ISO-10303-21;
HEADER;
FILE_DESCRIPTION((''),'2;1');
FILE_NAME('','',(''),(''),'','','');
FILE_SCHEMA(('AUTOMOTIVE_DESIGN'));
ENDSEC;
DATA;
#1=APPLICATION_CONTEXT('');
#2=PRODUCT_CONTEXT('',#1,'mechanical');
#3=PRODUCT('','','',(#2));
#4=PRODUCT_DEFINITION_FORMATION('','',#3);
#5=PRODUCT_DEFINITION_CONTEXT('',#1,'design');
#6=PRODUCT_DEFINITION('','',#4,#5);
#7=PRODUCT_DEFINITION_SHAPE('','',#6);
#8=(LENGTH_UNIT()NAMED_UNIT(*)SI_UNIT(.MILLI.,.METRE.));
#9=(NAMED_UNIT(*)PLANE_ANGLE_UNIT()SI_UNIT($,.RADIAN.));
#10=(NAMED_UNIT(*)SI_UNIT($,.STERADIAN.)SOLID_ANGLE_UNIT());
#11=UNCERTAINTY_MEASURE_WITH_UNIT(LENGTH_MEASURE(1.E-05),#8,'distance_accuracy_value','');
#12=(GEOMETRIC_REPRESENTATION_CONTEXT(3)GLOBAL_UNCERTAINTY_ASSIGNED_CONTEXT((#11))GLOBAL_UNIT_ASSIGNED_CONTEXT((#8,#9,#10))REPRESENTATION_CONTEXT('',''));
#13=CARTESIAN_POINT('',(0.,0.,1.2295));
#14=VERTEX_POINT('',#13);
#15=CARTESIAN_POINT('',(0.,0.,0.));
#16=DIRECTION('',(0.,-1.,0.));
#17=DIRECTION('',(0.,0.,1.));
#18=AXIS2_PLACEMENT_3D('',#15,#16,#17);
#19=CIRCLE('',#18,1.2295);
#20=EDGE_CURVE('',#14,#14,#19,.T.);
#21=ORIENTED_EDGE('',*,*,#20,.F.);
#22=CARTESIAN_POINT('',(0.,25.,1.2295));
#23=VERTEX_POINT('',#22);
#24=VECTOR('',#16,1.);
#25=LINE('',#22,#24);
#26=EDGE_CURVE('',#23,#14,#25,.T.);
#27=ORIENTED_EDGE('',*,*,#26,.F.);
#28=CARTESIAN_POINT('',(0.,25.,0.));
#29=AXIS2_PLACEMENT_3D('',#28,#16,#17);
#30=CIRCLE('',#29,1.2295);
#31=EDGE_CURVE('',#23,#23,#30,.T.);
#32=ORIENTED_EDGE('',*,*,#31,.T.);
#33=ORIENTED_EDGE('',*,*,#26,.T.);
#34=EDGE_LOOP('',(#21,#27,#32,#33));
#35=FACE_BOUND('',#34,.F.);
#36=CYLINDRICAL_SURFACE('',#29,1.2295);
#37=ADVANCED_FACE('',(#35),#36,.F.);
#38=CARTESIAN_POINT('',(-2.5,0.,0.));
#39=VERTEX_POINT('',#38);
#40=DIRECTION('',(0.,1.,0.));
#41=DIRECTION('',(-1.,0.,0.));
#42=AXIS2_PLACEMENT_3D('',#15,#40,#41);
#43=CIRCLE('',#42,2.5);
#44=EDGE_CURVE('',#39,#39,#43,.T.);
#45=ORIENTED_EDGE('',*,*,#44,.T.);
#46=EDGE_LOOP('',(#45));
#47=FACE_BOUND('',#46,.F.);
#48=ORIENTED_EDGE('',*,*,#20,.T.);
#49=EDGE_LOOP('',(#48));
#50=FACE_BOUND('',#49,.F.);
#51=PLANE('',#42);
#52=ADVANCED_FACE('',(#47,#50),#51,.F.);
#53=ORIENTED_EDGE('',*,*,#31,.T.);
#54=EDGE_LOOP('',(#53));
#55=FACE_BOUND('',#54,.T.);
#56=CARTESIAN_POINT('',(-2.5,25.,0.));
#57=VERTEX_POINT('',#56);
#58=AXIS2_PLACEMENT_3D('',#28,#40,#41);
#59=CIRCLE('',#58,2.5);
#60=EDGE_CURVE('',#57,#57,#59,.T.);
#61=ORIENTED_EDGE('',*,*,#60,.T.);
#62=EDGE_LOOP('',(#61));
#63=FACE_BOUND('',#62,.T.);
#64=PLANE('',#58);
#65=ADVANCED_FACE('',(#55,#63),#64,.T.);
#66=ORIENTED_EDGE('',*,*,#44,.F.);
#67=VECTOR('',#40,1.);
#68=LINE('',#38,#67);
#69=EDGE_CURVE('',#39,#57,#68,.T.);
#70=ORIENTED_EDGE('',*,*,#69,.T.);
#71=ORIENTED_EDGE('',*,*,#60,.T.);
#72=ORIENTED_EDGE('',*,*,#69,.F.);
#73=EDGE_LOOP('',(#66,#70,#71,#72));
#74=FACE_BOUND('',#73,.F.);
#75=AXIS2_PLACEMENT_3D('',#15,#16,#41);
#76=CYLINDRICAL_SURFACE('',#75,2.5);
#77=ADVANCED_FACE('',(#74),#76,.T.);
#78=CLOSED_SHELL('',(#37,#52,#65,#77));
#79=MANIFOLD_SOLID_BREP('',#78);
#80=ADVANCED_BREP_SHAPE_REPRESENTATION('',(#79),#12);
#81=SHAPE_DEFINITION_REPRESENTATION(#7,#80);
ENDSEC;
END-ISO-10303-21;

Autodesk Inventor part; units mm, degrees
ref_plane "YZ Plane" through (0, 0, 0) normal (1, 0, 0) x (0, 1, 0)
ref_plane "XZ Plane" through (0, 0, 0) normal (0, 1, 0) x (-1, 0, 0)
ref_plane "XY Plane" through (0, 0, 0) normal (0, 0, 1) x (1, 0, 0)
sketch "Sketch1" plane through (0, 0, 0) normal (0, 1, 0) x (-1, 0, 0)
  circle A0 centre (0, 0) radius 2.5
  dimension "d0" = 5
extrude "Extrusion1" add sketch "Sketch1" along normal blind 25
sketch "Sketch2" plane through (0, 25, 0) normal (0, 1, 0) x (1, 0, 0)
  circle A0 centre (0, 0) radius 2.5 projected
hole "Hole1" at (0, 25, 0) direction (0, -1, 0) diameter 2.459 end through all thread size "M3x0.5" class "6H" standard "ANSI Metric M Profile"
properties part number "25mm standoff"
